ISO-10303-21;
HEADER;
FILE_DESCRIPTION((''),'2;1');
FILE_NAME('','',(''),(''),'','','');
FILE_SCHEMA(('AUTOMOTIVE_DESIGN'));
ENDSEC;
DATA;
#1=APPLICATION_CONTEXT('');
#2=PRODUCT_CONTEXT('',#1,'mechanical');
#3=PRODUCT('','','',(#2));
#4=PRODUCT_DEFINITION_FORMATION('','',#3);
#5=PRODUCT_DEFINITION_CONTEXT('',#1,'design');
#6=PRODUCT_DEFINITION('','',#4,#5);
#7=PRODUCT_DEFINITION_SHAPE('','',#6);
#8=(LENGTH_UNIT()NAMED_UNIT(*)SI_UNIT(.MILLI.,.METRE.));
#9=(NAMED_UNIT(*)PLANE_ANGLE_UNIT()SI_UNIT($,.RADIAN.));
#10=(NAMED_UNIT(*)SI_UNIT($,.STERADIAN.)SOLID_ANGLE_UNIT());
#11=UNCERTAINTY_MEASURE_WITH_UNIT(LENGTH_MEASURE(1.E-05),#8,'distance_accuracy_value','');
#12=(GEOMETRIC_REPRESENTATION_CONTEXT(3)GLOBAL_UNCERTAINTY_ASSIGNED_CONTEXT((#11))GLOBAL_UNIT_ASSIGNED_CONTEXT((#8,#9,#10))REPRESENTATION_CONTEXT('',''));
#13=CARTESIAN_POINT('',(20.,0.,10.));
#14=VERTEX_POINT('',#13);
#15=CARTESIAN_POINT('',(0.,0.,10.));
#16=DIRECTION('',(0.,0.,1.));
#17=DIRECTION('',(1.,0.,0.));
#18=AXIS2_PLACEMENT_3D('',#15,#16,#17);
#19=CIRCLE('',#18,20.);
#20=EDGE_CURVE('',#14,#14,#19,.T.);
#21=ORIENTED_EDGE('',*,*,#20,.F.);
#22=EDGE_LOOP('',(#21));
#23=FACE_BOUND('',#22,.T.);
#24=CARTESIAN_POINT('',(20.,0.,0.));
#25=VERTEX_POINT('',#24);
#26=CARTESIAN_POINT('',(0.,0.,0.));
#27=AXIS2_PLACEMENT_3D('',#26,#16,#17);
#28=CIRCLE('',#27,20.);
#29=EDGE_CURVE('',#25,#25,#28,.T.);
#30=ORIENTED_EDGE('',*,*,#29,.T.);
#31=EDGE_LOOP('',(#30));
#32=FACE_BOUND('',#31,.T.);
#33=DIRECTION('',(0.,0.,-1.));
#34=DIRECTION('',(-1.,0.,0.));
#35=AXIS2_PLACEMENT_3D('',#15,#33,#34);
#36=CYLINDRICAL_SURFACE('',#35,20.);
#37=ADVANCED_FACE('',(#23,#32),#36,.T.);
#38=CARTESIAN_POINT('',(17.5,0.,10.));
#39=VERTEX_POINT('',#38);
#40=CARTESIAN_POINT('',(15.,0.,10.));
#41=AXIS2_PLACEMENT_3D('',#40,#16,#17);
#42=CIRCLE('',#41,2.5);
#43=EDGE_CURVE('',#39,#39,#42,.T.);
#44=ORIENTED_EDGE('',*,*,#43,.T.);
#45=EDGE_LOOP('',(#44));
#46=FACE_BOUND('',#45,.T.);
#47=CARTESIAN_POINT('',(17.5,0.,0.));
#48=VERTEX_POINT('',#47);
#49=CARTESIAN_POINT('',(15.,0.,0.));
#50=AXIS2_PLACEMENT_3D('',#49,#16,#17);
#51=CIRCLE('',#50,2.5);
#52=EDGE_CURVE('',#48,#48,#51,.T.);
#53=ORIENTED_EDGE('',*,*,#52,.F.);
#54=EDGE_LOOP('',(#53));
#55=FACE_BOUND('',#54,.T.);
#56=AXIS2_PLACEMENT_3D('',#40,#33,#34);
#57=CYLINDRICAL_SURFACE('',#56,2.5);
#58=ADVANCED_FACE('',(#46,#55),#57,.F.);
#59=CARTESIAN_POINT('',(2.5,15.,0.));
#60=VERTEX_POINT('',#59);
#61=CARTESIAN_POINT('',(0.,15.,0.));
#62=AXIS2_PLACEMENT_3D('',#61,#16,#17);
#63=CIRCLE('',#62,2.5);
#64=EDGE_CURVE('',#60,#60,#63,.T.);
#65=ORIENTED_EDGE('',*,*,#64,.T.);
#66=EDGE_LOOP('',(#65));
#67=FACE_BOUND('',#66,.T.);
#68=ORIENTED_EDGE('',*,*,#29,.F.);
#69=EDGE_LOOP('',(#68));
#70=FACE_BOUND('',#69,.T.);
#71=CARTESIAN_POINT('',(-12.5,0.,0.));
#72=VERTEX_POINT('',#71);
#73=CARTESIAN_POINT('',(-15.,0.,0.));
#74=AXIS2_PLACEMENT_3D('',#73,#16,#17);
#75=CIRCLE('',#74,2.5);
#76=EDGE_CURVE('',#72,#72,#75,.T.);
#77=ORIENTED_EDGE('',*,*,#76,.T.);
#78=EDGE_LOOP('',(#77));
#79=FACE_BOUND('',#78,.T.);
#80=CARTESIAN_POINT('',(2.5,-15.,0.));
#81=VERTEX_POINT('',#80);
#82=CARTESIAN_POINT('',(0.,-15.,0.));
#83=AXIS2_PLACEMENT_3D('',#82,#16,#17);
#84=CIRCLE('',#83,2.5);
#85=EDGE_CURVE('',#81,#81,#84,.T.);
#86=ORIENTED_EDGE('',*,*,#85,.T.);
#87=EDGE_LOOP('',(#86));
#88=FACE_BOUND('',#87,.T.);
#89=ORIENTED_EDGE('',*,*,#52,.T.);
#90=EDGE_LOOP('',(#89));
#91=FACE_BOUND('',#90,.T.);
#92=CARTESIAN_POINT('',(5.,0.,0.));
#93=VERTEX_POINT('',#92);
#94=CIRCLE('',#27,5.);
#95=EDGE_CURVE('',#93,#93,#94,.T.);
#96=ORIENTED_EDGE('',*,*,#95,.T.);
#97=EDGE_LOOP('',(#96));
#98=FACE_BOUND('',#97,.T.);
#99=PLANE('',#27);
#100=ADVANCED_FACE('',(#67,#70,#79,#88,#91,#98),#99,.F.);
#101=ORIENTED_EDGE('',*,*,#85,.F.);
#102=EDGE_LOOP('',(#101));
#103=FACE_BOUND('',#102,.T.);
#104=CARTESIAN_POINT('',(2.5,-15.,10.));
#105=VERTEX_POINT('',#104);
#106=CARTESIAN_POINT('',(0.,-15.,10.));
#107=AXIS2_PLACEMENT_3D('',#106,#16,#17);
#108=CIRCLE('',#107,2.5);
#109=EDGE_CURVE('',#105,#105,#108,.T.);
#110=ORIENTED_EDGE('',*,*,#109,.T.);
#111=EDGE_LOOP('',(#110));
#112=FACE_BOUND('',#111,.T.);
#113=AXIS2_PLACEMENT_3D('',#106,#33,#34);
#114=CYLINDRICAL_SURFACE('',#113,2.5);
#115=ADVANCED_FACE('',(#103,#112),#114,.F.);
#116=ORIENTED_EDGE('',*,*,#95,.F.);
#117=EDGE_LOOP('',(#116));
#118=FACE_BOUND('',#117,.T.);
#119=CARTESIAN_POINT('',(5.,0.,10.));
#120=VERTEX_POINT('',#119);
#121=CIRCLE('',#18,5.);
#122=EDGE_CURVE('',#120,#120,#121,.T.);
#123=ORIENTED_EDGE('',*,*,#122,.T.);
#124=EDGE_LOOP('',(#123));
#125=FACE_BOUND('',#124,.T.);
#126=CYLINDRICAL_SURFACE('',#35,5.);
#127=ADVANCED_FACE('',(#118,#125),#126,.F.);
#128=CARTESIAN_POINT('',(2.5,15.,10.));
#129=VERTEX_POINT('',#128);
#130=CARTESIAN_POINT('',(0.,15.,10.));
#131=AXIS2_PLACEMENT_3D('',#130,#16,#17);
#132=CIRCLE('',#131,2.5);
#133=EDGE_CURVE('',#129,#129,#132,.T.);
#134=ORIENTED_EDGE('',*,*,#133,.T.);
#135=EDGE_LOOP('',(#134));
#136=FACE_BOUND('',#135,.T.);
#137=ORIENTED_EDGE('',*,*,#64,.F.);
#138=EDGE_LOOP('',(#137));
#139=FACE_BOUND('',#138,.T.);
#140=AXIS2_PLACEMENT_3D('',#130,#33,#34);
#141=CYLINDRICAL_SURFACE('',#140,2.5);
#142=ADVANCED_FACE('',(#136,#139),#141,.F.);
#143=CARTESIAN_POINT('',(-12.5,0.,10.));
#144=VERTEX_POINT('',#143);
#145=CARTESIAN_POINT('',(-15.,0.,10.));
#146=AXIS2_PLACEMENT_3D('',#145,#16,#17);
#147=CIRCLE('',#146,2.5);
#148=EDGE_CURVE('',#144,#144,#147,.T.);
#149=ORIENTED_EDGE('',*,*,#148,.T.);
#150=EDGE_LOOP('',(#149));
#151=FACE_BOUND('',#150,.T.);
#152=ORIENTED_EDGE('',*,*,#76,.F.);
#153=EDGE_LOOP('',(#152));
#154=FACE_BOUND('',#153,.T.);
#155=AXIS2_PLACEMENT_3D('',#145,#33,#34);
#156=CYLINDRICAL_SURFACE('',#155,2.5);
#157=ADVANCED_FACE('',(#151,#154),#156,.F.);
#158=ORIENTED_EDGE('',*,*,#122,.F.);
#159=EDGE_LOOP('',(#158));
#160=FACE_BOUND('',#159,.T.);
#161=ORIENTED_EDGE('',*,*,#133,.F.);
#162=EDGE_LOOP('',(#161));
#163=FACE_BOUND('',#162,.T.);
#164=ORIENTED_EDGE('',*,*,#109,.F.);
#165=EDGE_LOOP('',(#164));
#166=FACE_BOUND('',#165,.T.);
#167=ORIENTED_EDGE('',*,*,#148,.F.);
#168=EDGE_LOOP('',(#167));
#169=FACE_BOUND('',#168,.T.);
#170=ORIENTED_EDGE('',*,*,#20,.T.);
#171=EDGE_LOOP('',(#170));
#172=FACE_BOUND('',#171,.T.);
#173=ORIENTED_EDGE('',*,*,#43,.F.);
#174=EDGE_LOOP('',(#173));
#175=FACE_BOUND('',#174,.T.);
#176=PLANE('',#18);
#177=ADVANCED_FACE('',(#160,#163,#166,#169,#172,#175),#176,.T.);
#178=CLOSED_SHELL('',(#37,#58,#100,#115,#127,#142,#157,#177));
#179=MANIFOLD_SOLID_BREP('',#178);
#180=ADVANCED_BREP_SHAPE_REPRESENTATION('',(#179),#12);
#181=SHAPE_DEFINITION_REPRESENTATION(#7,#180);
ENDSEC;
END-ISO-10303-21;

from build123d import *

# Parameters (mm, degrees)
SKETCH1_R           = 20
SKETCH1_R_2         = 5
SKETCH1_R_3         = 2.5
BOSS_EXTRUDE1_DEPTH = 10


with BuildPart() as part:
    # Sketch1 → Boss-Extrude1 (new body)
    with BuildSketch(Plane.XY):
        Circle(SKETCH1_R)
        Circle(SKETCH1_R_2, mode=Mode.SUBTRACT)
        with Locations((0, 15)):
            Circle(SKETCH1_R_3, mode=Mode.SUBTRACT)
        with Locations((15, 0)):
            Circle(SKETCH1_R_3, mode=Mode.SUBTRACT)
        with Locations((0, -15)):
            Circle(SKETCH1_R_3, mode=Mode.SUBTRACT)
        with Locations((-15, 0)):
            Circle(SKETCH1_R_3, mode=Mode.SUBTRACT)
    extrude(amount=BOSS_EXTRUDE1_DEPTH)


solid = part.part
